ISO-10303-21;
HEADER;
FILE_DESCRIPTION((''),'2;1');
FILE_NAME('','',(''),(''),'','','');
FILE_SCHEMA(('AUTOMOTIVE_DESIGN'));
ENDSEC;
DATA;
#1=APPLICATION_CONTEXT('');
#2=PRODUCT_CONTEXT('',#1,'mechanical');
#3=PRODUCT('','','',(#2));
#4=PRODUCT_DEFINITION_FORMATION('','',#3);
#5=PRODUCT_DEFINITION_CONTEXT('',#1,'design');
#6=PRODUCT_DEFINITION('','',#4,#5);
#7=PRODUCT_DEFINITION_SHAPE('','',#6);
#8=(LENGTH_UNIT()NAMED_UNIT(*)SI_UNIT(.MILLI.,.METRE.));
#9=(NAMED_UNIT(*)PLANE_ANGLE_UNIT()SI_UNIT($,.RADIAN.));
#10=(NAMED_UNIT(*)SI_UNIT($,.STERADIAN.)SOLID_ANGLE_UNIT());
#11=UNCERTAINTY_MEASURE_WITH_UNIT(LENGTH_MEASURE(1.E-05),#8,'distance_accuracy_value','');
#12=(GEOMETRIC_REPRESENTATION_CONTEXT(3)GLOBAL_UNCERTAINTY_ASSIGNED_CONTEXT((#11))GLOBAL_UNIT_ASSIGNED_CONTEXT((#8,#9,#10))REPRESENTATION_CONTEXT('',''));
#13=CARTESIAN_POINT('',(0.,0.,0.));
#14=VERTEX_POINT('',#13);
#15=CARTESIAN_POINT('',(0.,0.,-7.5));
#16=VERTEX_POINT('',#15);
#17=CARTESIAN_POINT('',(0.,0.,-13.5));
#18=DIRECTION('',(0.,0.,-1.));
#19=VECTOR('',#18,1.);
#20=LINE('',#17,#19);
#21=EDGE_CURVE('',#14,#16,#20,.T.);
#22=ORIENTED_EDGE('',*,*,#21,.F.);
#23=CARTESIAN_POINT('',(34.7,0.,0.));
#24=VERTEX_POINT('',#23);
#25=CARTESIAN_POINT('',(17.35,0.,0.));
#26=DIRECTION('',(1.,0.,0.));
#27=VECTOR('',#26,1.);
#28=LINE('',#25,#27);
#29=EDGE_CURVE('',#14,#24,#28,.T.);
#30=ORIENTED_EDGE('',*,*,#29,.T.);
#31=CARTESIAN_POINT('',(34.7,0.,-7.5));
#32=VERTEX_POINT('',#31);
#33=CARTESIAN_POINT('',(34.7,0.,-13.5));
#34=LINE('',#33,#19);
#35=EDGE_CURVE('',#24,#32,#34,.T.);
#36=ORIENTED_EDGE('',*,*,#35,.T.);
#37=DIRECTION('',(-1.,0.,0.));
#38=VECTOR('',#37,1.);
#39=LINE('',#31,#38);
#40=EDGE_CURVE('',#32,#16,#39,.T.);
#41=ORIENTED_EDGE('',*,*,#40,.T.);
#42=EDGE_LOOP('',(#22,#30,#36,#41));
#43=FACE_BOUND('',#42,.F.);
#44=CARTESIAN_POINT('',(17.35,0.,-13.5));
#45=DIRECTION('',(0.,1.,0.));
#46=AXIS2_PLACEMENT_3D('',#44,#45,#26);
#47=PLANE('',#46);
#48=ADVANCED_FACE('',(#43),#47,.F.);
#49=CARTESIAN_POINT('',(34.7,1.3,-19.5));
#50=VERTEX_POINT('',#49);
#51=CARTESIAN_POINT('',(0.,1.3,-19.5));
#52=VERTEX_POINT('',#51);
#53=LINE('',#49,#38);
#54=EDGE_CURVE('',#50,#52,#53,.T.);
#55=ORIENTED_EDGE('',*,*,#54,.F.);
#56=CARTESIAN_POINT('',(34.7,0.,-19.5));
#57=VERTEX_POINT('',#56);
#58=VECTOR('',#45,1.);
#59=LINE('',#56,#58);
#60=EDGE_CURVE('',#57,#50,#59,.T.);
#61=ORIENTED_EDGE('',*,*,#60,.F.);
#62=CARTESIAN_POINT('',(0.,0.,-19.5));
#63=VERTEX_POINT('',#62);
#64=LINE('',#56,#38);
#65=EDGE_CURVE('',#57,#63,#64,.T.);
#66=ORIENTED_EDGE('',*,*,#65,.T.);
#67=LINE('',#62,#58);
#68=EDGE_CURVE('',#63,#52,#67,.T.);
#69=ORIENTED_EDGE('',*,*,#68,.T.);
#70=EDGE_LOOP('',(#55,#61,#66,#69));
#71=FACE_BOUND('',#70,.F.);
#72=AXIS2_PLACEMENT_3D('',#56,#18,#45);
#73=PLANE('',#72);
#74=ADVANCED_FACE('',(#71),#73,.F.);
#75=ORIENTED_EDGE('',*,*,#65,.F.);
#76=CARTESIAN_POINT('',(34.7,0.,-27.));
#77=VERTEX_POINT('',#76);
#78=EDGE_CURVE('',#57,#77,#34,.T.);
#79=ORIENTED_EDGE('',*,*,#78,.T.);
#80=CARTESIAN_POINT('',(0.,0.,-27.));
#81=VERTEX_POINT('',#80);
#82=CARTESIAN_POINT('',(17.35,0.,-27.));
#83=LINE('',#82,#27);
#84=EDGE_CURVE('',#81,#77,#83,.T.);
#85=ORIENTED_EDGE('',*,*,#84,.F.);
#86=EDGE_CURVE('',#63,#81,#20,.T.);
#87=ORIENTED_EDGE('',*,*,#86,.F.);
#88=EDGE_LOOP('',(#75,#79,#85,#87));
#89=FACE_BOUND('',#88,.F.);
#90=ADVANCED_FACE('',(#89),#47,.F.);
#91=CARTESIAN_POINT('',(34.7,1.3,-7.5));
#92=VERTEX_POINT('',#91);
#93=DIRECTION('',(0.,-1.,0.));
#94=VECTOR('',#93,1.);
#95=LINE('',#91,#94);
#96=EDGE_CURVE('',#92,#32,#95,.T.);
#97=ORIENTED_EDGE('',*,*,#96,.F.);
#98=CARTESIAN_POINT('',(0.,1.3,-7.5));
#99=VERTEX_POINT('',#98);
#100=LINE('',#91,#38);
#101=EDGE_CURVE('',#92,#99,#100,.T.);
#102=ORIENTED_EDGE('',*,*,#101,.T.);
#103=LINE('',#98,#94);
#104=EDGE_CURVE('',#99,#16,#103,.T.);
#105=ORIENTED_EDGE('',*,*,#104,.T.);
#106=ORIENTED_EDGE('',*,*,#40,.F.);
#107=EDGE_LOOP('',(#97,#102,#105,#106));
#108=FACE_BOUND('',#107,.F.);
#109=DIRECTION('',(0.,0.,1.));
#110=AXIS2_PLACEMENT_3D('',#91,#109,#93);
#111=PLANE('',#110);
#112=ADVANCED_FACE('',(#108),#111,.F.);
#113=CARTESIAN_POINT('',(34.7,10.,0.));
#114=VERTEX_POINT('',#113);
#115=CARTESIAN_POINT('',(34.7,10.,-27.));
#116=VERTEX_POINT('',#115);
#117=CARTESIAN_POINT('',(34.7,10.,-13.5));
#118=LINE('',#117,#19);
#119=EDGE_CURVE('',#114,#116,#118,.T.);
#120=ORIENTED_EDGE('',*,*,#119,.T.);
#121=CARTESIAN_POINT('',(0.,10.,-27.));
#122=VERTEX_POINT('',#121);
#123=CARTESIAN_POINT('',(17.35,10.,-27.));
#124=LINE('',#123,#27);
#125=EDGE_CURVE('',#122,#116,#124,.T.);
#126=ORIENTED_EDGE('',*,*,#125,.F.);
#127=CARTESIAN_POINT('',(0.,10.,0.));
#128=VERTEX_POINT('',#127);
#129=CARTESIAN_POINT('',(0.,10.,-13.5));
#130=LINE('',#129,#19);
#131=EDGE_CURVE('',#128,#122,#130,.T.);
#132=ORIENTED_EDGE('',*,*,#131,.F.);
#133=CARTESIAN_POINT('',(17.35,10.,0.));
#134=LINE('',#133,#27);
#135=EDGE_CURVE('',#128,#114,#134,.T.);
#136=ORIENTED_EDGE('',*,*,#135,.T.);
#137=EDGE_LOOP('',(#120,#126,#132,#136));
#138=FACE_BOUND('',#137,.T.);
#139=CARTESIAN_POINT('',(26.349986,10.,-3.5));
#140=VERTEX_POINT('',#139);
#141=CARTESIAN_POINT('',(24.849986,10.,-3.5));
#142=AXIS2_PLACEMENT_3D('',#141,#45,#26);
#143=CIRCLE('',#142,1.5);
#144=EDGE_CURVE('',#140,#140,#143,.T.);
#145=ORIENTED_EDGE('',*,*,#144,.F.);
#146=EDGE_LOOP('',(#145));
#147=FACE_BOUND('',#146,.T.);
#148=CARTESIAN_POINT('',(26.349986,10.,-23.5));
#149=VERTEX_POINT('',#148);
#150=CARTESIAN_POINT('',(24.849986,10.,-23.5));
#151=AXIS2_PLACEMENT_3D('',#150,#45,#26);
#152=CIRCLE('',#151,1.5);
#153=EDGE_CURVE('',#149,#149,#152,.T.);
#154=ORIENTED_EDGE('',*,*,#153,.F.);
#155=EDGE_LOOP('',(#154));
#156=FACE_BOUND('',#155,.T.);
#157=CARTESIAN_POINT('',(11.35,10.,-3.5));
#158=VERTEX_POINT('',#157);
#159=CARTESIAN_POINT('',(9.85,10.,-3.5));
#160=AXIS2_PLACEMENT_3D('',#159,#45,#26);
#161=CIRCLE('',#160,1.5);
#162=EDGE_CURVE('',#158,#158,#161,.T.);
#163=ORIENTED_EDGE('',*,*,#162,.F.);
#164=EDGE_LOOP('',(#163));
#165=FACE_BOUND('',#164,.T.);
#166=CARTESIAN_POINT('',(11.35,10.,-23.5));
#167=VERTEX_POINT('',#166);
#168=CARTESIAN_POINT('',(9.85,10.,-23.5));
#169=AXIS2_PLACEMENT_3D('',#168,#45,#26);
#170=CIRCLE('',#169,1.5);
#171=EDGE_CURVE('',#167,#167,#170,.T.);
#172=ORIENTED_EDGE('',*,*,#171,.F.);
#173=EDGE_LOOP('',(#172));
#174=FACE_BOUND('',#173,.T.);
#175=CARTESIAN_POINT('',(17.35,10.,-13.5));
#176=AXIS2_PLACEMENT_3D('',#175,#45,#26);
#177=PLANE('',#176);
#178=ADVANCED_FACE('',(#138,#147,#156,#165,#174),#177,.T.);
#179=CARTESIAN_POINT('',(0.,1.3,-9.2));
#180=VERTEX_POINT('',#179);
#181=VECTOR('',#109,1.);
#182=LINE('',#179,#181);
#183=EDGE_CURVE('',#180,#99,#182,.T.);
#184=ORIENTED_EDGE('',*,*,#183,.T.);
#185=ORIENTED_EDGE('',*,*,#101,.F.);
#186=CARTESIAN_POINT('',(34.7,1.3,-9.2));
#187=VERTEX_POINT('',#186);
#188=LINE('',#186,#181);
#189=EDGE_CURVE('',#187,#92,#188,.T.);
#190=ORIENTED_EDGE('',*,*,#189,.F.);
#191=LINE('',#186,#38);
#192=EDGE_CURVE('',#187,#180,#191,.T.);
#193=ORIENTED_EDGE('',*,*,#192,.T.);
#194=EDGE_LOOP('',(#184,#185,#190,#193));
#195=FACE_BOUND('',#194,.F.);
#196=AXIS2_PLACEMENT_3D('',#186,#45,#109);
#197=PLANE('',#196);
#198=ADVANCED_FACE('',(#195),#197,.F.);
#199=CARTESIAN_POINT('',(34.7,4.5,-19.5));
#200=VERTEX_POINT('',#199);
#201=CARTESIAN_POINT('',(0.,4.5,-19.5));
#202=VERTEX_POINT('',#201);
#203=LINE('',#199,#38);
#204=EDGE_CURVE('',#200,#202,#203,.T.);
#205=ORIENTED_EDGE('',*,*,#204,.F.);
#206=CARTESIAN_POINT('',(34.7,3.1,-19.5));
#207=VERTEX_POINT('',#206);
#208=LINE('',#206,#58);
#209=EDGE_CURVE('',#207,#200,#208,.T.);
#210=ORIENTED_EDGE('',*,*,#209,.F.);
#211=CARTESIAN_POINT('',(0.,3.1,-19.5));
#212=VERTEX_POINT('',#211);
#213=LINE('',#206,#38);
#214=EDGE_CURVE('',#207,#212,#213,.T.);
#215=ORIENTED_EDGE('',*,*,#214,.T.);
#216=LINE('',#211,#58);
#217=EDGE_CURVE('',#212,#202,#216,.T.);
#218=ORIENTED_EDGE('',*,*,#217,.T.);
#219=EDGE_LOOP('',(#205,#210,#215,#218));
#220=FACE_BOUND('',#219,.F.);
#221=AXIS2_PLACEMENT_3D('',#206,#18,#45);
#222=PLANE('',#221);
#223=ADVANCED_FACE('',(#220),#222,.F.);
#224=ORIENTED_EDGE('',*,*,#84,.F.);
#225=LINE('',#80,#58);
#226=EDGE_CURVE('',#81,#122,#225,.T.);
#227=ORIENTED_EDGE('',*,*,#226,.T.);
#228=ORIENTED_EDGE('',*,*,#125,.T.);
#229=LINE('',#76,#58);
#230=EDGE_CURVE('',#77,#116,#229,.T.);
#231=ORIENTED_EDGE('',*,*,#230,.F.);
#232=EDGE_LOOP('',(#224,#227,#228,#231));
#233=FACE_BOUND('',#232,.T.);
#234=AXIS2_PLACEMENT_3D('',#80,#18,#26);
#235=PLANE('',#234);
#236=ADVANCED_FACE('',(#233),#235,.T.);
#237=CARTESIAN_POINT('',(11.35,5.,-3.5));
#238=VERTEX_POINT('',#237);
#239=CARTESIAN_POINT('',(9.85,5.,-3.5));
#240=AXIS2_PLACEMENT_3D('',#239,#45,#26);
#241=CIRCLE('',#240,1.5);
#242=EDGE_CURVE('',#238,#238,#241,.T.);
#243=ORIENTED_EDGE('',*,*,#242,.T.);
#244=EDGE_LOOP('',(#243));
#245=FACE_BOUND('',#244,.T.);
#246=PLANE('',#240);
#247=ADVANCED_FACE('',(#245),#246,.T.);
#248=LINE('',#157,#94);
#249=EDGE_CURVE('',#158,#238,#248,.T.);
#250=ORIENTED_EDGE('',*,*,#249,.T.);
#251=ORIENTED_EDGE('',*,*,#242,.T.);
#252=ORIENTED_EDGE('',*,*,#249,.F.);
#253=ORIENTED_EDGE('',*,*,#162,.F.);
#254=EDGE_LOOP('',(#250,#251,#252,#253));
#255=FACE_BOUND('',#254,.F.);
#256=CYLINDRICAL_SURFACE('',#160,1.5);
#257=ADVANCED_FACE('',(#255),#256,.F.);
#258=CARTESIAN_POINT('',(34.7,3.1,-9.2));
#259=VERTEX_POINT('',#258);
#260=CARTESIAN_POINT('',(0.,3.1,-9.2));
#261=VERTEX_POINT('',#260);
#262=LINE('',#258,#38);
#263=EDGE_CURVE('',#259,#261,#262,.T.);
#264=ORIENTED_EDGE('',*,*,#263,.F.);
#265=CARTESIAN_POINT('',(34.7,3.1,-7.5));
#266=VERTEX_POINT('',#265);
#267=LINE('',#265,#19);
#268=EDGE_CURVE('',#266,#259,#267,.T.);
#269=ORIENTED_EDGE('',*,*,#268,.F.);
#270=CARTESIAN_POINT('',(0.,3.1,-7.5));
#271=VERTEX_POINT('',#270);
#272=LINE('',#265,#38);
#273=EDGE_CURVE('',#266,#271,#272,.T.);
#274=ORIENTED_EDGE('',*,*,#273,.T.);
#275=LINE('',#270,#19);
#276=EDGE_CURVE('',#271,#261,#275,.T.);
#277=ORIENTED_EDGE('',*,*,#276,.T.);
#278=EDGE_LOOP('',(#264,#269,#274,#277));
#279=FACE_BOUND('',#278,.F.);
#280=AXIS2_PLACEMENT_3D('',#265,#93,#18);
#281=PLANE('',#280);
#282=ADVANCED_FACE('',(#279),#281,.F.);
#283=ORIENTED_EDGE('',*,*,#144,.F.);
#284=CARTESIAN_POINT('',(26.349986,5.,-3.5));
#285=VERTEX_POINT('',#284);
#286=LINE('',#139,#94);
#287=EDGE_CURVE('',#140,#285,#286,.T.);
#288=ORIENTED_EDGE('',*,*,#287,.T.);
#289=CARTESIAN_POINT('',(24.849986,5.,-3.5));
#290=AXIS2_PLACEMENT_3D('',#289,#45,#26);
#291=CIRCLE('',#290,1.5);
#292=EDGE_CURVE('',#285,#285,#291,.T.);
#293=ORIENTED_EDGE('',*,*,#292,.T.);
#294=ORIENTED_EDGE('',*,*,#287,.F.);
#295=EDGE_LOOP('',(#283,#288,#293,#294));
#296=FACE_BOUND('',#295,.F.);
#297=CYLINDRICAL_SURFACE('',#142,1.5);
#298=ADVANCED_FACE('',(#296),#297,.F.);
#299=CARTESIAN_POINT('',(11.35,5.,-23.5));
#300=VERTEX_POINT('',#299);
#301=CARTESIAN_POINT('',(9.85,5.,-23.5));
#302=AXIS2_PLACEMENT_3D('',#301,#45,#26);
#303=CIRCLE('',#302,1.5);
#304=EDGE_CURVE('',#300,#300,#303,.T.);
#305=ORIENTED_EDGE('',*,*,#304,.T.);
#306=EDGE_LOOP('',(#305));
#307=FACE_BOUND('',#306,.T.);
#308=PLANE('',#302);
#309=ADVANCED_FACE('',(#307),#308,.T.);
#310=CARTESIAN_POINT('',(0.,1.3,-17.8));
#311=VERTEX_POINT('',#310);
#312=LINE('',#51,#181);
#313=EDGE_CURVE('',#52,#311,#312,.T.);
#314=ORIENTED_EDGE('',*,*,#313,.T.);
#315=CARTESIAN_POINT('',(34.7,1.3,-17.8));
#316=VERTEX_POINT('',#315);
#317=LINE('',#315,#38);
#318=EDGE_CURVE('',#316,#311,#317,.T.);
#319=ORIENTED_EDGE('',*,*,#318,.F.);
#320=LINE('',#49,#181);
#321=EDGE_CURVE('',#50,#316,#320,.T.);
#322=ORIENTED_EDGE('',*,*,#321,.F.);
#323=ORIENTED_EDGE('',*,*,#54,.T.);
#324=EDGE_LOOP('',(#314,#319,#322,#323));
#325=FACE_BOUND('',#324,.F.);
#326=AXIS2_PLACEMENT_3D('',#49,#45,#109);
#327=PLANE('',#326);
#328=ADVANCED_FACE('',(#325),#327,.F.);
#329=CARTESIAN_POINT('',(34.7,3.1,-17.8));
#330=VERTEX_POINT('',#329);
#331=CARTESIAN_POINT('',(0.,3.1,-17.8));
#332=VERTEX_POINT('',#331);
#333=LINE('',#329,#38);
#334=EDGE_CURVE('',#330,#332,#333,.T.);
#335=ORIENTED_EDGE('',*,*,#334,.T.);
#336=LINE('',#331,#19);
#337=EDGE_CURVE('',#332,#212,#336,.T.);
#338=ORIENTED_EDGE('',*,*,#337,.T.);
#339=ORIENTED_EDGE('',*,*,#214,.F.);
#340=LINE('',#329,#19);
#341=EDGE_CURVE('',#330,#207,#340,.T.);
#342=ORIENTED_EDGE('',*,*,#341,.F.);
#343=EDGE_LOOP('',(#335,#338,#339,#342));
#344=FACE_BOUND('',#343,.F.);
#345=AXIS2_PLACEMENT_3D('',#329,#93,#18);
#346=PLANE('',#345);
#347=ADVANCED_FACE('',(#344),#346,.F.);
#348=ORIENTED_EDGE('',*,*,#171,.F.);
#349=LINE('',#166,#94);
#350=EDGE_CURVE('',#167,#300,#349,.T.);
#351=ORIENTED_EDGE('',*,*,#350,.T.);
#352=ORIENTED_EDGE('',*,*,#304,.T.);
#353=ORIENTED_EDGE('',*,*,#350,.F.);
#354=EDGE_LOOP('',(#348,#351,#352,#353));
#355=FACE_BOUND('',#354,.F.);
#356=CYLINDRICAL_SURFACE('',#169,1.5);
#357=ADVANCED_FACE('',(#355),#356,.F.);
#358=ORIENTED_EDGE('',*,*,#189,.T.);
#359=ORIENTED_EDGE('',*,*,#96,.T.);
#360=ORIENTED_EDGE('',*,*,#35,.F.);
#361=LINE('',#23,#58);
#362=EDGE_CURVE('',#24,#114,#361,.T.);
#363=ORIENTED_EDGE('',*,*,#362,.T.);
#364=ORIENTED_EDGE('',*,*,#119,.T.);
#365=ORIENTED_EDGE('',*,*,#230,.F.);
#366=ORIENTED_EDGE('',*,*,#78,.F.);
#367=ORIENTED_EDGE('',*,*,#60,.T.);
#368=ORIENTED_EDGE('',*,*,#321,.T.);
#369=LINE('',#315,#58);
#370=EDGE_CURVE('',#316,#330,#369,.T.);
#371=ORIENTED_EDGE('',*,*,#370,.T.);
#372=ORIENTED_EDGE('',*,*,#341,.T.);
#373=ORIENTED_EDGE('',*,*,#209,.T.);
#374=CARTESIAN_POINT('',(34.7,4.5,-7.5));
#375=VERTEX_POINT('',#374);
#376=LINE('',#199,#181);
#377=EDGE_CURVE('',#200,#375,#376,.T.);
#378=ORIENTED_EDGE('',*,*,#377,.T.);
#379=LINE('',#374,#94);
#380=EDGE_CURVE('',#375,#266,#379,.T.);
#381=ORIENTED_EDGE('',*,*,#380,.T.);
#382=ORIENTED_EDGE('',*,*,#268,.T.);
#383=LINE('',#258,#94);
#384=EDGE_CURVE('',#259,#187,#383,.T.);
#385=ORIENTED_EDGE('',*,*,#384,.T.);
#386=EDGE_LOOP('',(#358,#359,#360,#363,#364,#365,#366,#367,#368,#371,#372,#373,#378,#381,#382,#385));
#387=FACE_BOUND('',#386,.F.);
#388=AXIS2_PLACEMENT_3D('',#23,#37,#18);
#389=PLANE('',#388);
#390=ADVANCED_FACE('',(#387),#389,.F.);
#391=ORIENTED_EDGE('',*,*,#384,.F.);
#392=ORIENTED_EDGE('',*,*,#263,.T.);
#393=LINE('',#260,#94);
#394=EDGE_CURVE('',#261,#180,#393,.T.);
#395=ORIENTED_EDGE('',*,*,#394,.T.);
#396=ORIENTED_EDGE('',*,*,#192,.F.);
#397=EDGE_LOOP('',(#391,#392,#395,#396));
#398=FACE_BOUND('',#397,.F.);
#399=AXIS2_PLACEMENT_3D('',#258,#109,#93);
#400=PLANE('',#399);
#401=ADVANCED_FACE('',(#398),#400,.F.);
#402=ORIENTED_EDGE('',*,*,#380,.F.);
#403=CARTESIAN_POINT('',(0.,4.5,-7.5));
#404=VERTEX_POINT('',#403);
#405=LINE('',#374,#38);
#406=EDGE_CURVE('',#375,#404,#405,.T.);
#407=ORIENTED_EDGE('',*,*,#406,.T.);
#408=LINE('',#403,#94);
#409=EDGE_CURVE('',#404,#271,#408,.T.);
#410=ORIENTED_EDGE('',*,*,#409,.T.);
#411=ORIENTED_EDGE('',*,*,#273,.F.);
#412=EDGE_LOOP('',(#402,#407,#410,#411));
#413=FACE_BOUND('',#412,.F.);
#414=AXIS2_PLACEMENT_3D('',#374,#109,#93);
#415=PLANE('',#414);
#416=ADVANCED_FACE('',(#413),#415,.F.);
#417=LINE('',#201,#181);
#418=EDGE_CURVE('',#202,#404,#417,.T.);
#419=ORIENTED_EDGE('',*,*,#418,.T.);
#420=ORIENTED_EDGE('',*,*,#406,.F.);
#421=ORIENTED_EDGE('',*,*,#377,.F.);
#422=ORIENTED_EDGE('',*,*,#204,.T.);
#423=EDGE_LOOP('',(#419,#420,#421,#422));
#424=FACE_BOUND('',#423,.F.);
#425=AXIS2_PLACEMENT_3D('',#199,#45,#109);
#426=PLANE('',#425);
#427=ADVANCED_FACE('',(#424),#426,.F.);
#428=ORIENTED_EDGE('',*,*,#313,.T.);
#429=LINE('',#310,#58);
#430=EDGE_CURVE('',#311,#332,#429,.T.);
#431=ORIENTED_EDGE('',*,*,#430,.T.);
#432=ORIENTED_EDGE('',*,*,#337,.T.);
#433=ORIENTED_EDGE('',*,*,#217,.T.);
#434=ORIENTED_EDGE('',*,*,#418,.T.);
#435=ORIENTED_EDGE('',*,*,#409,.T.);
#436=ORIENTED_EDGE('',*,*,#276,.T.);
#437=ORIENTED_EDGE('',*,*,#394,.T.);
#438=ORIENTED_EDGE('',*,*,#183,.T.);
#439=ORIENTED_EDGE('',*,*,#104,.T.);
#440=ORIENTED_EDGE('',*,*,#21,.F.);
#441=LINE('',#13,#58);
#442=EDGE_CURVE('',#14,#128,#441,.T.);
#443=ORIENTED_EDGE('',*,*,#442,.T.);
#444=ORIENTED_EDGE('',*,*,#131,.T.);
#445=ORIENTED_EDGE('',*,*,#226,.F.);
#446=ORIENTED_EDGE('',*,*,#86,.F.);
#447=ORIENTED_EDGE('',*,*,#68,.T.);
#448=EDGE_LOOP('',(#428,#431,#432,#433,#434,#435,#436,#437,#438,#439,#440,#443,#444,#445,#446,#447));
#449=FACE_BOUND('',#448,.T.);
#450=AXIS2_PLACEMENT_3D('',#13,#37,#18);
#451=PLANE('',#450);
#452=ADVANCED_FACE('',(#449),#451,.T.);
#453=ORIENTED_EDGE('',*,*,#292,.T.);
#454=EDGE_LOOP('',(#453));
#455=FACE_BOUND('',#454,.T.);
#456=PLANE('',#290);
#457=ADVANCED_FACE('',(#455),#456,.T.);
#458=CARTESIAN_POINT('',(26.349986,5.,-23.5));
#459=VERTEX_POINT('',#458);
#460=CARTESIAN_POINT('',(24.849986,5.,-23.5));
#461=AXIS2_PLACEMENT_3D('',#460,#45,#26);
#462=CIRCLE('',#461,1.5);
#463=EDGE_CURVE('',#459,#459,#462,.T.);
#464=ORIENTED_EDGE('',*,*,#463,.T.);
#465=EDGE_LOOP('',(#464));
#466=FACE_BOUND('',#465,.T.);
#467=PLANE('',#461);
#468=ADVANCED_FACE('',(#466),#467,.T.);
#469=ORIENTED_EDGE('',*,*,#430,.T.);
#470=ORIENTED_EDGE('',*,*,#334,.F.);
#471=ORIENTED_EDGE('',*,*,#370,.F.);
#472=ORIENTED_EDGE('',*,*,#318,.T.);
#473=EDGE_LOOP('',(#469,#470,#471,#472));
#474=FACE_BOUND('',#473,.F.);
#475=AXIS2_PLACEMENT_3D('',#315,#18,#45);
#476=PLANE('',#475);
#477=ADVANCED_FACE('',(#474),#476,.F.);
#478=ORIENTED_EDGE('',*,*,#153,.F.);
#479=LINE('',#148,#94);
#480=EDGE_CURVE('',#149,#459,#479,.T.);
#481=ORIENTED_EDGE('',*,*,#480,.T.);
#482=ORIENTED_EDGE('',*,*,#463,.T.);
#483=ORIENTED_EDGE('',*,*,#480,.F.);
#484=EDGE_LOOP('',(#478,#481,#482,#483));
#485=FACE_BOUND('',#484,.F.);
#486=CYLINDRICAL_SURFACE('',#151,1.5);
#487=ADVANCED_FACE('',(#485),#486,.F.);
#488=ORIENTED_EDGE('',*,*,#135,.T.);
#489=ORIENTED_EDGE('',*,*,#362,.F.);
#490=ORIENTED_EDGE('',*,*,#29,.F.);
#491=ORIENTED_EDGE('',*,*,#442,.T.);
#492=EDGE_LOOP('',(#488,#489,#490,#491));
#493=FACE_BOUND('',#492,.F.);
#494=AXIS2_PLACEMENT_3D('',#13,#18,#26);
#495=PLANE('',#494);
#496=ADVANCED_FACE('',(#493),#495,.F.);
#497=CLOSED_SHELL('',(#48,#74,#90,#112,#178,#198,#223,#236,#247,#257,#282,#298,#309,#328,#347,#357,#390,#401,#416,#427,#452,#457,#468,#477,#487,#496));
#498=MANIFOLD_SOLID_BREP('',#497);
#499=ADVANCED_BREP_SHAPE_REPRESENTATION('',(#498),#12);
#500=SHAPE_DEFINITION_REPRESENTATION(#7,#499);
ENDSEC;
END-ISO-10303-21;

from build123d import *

# Parameters (mm, degrees)
CROQUIS1_W              = 34.7
CROQUIS1_H              = 27
SALIENTE_EXTRUIR1_DEPTH = 10
CROQUIS2_R              = 1.5
CORTAR_EXTRUIR1_DEPTH   = 5
CORTAR_EXTRUIR2_DEPTH   = 34.7


with BuildPart() as part:
    # Croquis1 → Saliente-Extruir1 (new body)
    with BuildSketch(Plane(origin=(0, 0, 0), x_dir=(1, 0, 0), z_dir=(0, 1, 0))):
        with Locations((17.35, 13.5)):
            Rectangle(CROQUIS1_W, CROQUIS1_H)
    extrude(amount=SALIENTE_EXTRUIR1_DEPTH)

    # Croquis2 → Cortar-Extruir1 (cut)
    with BuildSketch(Plane(origin=(0, 10, 0), x_dir=(1, 0, 0), z_dir=(0, 1, 0))):
        with Locations((9.85, 23.5)):
            Circle(CROQUIS2_R)
        with Locations((24.849986467, 23.5)):
            Circle(CROQUIS2_R)
        with Locations((9.85, 3.5)):
            Circle(CROQUIS2_R)
        with Locations((24.849986467, 3.5)):
            Circle(CROQUIS2_R)
    extrude(amount=-CORTAR_EXTRUIR1_DEPTH, mode=Mode.SUBTRACT)

    # Croquis3 → Cortar-Extruir2 (cut)
    with BuildSketch(Plane(origin=(34.7, 0, 0), x_dir=(0, 0, -1), z_dir=(1, 0, 0))):
        Polygon((7.5, 0), (19.5, 0), (19.5, 1.3), (17.8, 1.3), (17.8, 3.1), (19.5, 3.1), (19.5, 4.5), (7.5, 4.5), (7.5, 3.1), (9.2, 3.1), (9.2, 1.3), (7.5, 1.3), align=None)
    extrude(amount=-CORTAR_EXTRUIR2_DEPTH, mode=Mode.SUBTRACT)


solid = part.part
